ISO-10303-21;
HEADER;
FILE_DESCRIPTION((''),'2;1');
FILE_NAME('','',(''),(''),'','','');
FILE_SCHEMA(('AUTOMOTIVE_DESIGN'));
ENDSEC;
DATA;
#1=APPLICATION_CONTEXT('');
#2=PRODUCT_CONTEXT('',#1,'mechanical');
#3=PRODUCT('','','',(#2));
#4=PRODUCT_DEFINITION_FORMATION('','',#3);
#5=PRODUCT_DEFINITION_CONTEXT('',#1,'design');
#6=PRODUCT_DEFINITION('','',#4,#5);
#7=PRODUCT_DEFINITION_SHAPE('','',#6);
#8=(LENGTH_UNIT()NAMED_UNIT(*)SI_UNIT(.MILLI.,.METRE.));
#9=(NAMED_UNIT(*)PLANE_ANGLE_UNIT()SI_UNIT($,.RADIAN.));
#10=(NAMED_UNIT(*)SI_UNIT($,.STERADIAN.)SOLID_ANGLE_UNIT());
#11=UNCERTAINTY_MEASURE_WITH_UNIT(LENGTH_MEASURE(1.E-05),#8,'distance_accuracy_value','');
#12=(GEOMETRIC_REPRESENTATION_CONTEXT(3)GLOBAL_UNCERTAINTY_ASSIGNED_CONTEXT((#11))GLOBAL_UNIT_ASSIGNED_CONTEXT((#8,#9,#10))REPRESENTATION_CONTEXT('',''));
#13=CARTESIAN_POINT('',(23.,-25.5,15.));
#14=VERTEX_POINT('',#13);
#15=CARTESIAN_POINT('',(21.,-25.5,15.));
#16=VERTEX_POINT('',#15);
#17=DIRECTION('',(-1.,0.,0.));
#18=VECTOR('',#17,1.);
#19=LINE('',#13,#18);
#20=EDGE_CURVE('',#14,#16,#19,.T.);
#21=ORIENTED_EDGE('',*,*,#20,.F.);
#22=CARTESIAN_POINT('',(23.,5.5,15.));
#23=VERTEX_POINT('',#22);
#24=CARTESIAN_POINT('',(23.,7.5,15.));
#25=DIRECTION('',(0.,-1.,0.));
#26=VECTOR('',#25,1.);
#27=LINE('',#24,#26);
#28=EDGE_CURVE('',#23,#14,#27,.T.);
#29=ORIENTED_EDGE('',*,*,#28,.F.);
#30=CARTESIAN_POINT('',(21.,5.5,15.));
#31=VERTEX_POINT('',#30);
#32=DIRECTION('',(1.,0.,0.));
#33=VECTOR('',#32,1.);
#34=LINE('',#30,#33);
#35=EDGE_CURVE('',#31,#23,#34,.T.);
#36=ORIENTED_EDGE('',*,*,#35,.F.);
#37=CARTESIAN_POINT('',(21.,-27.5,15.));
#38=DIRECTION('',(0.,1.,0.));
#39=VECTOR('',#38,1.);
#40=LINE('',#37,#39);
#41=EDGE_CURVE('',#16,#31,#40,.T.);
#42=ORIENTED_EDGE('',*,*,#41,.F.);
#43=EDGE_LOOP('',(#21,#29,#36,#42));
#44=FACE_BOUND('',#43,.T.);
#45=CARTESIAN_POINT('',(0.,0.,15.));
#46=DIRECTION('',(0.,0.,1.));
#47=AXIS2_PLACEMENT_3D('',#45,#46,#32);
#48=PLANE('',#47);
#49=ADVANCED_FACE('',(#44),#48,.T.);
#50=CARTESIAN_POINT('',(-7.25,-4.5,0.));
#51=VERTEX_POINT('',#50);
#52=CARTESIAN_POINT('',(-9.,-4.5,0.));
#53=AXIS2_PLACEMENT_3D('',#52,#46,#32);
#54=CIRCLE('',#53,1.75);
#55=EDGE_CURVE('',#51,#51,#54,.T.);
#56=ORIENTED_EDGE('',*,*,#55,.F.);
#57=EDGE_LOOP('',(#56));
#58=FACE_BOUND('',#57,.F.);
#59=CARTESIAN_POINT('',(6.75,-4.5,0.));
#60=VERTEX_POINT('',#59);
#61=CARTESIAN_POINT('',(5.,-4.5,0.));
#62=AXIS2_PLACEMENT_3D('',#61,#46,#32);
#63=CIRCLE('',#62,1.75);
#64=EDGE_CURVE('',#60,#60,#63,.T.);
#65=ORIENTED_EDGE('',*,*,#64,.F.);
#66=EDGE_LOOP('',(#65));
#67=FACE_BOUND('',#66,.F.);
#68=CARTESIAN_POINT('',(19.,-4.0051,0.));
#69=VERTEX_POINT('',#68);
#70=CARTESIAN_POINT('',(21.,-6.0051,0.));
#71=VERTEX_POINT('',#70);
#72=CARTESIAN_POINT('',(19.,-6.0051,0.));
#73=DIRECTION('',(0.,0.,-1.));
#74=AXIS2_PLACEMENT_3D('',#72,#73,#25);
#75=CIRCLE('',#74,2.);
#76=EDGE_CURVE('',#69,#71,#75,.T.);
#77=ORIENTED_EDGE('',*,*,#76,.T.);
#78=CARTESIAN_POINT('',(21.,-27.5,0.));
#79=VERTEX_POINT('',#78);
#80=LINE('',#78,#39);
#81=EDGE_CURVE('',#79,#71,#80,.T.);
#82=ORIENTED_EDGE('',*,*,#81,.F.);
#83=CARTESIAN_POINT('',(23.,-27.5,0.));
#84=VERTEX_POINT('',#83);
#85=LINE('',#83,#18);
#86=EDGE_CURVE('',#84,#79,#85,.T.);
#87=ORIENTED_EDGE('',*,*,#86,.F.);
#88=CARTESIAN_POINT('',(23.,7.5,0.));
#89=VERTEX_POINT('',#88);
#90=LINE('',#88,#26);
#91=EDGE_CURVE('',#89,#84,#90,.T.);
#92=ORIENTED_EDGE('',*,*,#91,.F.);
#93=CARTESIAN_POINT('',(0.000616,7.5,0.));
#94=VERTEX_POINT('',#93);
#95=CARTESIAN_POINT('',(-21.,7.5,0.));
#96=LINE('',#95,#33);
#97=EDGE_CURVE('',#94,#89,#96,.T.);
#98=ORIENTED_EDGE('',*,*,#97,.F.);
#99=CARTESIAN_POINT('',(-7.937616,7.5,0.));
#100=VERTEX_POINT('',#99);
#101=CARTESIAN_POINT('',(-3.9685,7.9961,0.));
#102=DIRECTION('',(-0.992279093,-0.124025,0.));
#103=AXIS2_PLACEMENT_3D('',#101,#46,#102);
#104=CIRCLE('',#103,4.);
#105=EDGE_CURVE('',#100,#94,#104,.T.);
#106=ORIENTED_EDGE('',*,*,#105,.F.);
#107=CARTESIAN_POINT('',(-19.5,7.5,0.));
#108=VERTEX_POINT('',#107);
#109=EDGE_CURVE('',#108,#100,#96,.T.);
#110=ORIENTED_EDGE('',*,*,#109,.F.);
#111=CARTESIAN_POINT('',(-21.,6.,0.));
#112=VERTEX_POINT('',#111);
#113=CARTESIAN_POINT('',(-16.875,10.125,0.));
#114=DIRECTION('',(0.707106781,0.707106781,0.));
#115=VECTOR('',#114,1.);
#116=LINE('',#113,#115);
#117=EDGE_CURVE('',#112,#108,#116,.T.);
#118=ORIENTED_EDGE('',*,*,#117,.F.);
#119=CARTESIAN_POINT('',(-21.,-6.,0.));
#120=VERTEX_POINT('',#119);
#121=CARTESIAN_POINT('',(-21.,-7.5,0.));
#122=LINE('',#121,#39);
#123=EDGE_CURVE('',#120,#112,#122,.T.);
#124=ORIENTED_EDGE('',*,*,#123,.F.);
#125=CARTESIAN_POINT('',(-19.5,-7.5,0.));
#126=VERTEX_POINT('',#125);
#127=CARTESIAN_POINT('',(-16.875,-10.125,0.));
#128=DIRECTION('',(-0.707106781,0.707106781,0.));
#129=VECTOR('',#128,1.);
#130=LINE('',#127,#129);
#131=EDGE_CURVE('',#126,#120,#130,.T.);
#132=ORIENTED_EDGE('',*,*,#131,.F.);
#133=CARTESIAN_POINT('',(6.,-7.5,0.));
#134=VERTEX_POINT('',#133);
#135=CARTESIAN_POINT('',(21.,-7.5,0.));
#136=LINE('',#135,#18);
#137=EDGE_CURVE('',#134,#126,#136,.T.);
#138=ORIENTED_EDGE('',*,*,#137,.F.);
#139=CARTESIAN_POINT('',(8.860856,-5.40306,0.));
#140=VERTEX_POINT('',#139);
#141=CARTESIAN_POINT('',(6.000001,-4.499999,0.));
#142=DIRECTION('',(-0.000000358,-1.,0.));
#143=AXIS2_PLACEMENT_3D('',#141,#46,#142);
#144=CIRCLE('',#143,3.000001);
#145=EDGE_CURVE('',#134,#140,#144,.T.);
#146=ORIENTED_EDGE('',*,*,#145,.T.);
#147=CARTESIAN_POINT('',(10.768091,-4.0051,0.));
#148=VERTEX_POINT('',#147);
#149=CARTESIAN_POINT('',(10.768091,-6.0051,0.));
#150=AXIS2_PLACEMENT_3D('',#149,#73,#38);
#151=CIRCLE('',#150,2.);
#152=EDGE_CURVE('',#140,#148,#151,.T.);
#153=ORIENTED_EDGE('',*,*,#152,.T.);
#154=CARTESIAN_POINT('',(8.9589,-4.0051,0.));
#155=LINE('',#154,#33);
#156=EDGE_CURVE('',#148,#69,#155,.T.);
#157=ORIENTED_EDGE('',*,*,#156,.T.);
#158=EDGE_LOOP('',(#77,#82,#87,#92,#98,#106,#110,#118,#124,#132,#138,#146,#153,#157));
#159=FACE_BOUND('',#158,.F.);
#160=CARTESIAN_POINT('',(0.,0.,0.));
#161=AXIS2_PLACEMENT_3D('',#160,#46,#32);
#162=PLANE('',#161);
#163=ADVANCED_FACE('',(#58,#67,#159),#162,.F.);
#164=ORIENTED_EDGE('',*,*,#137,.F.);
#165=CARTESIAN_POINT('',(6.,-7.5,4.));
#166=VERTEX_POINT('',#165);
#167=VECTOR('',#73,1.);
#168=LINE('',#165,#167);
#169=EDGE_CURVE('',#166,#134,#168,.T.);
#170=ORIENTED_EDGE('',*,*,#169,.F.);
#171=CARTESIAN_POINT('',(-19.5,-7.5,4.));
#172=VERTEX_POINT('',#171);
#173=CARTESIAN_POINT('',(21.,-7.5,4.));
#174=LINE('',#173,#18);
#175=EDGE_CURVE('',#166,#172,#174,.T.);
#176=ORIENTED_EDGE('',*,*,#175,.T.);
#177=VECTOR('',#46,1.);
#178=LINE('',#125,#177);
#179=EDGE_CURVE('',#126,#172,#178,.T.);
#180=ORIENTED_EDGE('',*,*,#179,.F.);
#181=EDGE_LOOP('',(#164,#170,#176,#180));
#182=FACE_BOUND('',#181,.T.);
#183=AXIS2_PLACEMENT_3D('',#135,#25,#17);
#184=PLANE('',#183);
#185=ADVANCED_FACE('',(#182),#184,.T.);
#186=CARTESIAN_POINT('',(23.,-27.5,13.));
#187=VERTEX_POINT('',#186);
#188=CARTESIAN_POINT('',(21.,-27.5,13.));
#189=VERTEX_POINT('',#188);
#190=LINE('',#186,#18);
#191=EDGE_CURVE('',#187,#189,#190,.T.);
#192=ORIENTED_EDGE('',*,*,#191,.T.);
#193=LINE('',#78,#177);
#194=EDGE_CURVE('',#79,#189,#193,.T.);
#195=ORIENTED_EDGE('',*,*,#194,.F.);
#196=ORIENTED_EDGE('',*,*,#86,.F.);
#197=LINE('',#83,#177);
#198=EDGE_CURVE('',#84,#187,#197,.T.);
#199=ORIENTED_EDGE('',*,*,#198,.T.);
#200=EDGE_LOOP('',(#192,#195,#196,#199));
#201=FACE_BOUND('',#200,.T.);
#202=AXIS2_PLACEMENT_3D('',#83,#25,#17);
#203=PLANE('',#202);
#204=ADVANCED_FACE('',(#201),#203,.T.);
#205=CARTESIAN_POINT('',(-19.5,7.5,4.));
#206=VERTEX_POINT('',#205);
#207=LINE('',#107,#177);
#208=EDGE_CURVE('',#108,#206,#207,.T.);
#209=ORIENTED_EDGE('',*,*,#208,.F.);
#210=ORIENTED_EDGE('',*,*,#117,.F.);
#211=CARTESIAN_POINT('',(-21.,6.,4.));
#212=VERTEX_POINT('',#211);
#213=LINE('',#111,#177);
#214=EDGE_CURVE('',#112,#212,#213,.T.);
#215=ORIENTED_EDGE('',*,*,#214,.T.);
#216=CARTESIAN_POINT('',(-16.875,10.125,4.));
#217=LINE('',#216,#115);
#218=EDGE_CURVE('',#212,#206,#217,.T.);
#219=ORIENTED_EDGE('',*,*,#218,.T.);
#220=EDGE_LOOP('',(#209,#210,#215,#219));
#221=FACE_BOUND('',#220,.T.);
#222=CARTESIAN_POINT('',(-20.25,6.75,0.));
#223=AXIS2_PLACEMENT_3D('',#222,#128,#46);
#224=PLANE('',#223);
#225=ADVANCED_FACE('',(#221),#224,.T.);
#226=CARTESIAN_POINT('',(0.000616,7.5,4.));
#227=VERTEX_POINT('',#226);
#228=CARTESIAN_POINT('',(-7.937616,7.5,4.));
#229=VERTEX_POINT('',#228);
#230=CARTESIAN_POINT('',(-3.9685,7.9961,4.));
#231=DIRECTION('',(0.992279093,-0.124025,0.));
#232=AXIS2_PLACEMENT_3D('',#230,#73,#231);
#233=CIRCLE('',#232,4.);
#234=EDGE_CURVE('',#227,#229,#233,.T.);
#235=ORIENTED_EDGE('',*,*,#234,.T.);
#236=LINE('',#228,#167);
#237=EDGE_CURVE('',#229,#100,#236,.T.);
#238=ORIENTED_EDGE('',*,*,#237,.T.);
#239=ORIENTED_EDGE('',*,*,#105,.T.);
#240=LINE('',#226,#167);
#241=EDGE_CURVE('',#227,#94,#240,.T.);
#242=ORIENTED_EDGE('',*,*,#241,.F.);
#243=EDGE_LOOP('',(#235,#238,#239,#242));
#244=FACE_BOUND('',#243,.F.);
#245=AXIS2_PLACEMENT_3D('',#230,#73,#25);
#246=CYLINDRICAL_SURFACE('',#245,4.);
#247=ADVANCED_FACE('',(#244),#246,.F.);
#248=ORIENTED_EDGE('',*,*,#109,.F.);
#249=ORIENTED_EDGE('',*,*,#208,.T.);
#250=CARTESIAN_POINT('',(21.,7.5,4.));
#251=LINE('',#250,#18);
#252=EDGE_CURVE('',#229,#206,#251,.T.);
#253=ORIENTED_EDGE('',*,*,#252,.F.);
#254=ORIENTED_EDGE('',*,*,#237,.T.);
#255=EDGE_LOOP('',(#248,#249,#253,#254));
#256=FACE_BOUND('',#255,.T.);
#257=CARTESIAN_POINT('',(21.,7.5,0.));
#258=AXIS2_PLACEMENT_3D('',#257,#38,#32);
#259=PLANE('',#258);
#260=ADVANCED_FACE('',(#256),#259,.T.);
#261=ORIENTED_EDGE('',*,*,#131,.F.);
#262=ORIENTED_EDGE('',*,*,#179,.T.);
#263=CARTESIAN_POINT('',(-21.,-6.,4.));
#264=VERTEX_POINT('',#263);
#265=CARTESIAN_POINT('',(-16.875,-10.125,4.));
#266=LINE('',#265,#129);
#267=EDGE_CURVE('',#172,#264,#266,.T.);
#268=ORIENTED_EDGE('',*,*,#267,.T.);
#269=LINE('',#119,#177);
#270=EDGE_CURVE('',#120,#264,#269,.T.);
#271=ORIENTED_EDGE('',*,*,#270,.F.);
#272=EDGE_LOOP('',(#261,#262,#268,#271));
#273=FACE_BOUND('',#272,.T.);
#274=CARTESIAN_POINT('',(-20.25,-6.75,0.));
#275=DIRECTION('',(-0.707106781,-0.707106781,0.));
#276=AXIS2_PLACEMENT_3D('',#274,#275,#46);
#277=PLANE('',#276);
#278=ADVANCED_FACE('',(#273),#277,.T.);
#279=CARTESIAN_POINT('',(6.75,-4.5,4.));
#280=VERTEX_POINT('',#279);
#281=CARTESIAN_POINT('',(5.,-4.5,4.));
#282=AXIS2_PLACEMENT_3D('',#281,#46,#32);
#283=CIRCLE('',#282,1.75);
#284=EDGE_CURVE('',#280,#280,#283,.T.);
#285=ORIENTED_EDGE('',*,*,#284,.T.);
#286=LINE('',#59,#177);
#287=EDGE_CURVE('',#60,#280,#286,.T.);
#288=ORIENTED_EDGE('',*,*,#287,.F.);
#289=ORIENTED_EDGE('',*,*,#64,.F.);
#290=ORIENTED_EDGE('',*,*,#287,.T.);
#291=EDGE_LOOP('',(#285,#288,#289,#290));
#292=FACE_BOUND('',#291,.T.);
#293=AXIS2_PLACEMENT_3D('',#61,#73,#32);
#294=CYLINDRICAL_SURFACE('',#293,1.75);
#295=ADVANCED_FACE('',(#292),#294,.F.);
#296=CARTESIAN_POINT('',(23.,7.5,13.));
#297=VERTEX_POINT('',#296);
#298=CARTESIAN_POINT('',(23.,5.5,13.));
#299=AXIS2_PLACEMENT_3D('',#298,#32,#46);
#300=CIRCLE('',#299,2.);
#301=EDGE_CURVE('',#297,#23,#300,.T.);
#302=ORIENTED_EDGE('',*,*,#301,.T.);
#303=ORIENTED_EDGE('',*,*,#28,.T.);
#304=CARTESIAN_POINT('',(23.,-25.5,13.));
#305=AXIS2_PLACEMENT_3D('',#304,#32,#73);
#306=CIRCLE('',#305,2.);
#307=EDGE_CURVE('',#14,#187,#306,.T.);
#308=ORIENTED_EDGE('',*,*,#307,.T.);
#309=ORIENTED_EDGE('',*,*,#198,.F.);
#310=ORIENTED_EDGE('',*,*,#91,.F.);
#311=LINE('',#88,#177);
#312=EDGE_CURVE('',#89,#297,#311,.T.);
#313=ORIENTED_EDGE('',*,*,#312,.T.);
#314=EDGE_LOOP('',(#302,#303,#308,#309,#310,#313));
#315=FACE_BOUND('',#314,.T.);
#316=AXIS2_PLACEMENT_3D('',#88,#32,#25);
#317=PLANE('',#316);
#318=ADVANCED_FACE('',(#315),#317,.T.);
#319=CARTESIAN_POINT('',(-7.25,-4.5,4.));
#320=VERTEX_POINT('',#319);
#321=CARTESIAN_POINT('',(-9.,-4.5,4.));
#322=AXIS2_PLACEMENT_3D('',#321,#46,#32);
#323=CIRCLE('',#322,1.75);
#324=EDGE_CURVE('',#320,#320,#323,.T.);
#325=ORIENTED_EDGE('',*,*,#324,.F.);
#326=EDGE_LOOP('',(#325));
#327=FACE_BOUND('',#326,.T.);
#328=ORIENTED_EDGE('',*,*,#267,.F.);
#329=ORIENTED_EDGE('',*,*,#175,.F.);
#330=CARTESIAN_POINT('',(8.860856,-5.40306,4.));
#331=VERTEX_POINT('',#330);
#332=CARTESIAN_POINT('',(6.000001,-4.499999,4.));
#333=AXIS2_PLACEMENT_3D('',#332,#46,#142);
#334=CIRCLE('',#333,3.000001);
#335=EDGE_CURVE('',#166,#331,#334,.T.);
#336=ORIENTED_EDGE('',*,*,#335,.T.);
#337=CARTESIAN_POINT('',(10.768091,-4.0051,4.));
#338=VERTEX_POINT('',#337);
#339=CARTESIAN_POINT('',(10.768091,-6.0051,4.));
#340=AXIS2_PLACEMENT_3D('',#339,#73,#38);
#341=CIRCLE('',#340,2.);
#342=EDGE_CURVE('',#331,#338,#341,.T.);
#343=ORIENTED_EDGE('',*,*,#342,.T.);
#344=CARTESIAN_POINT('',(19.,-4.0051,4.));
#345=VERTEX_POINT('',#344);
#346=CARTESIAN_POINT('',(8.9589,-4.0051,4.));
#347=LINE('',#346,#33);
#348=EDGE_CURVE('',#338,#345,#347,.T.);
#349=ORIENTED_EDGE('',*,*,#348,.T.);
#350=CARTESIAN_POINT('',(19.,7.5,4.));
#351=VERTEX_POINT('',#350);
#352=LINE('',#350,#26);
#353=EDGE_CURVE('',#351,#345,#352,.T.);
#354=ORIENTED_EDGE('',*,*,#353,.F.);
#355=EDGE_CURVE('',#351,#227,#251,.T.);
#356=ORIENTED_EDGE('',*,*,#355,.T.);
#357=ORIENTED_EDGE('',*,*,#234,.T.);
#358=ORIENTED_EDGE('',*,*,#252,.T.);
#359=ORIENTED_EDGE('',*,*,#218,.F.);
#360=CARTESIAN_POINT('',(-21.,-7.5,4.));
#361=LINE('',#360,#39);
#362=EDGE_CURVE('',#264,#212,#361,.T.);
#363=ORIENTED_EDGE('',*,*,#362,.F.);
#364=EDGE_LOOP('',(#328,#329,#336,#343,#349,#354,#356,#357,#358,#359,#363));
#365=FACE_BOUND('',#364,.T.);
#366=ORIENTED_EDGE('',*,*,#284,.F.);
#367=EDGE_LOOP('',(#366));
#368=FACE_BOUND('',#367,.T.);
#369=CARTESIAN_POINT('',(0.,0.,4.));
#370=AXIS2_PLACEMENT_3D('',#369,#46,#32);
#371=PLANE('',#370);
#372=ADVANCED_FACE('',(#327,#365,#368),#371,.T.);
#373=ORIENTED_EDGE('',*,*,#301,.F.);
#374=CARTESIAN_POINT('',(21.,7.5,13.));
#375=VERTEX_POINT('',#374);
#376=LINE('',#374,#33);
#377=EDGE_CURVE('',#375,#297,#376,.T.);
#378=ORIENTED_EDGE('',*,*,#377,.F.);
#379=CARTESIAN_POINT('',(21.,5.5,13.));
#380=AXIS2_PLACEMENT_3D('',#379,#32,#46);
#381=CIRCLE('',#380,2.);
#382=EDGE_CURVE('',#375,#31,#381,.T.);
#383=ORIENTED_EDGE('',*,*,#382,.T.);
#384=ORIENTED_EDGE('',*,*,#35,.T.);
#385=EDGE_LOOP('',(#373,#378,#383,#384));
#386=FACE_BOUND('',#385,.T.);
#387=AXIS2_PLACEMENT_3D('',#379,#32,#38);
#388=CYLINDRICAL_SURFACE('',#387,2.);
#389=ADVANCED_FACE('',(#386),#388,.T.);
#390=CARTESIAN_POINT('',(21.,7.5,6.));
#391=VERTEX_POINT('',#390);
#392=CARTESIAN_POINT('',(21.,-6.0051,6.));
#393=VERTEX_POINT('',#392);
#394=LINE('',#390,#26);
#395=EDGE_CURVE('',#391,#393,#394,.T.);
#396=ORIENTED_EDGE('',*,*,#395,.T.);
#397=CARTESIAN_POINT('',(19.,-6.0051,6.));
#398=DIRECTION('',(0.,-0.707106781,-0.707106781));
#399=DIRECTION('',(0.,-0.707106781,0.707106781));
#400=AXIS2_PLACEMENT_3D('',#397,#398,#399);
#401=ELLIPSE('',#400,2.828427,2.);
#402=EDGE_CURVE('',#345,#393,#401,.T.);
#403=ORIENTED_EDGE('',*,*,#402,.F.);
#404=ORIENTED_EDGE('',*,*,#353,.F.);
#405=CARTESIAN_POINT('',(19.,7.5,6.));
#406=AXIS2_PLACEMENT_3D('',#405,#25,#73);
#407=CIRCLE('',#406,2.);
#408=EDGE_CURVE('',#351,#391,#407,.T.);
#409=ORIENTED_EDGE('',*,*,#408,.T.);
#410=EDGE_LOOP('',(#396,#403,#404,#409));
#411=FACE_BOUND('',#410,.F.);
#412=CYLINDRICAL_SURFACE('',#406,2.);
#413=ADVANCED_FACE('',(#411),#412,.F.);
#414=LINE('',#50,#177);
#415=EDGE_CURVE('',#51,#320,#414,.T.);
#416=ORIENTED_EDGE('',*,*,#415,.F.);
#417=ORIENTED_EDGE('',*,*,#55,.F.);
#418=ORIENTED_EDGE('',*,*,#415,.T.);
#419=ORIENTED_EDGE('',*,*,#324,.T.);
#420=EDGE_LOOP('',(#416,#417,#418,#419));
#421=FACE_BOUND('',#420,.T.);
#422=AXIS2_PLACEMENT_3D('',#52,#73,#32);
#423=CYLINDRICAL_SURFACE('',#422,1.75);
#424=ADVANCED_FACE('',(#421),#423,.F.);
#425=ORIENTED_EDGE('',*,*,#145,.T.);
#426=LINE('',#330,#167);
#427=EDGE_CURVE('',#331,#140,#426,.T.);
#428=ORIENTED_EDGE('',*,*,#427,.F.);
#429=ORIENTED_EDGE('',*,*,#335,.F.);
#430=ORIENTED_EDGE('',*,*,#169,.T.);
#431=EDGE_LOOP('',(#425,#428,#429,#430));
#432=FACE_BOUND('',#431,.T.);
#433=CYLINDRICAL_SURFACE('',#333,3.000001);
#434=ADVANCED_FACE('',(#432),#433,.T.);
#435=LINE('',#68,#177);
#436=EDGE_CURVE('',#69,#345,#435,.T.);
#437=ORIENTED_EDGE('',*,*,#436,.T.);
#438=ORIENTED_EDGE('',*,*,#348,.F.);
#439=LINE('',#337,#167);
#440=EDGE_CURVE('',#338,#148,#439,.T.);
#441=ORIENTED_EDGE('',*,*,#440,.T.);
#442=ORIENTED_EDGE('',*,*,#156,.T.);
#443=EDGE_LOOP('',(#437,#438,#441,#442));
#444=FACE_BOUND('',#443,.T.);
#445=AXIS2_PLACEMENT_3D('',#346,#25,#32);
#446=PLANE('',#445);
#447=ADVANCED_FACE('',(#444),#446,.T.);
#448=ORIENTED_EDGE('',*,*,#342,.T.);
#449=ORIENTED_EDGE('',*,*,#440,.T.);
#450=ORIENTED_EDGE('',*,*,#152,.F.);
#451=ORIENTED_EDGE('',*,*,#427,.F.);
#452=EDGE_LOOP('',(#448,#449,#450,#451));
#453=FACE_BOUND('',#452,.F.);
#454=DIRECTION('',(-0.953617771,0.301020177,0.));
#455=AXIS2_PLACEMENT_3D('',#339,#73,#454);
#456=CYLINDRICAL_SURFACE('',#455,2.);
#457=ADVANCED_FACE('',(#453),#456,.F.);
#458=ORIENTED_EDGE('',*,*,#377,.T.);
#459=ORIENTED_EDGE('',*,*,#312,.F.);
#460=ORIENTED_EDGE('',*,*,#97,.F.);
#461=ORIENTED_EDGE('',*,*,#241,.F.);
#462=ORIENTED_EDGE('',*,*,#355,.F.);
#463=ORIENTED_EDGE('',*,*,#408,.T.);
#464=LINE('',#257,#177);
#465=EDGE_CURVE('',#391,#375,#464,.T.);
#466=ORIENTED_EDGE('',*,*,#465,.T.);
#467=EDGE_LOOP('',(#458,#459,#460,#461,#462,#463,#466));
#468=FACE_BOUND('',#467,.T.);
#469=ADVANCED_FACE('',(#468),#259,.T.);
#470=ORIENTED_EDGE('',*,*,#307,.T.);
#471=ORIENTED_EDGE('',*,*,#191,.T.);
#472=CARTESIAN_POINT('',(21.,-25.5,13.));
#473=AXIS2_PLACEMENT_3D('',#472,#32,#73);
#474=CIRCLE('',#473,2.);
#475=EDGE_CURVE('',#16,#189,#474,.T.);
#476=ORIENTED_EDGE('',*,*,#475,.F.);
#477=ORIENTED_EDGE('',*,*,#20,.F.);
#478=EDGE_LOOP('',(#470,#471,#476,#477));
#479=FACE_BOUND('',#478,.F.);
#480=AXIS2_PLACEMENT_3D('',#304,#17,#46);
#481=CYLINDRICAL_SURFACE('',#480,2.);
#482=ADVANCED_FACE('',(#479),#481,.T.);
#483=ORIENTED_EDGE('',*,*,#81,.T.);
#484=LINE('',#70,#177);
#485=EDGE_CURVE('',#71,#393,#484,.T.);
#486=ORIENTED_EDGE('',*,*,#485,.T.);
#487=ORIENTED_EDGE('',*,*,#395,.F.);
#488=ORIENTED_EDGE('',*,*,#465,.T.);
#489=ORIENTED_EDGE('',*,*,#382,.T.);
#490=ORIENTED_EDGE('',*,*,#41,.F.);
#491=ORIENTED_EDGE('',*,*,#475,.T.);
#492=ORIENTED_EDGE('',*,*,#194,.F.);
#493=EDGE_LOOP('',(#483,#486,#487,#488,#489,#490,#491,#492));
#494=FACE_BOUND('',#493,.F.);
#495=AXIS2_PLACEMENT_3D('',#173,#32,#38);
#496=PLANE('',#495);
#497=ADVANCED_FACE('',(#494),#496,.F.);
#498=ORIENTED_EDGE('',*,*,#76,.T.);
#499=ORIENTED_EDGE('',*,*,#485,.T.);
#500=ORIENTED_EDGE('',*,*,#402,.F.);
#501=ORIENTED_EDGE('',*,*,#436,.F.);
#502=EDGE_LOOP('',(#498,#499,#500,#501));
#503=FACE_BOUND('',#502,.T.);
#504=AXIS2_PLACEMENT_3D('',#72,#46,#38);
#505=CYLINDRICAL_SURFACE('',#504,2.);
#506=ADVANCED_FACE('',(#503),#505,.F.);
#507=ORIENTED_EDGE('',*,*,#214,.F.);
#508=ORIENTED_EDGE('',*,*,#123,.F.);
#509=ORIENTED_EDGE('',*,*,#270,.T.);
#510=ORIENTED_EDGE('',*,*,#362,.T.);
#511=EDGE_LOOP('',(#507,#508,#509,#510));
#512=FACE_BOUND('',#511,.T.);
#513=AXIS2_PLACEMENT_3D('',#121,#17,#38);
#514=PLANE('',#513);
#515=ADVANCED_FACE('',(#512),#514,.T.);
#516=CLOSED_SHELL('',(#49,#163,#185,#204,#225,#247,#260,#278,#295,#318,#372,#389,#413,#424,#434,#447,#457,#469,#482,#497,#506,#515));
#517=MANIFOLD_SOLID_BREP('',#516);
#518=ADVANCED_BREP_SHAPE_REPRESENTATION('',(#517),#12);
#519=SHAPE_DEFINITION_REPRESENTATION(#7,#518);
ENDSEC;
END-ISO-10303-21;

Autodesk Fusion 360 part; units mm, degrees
sketch "Esquisse1" plane through (0, 0, 0) normal (0, 0, 1) x (1, 0, 0)
  line L0 (21, -7.5) -> (-21, -7.5)
  line L1 (-21, -7.5) -> (-21, 7.5)
  line L2 (21, 7.5) -> (21, -7.5)
  line L3 (21, -7.5) -> (-21, 7.5) construction
  line L4 (-21, -7.5) -> (21, 7.5) construction
  circle A0 centre (5, -4.5) radius 1.75
  circle A1 centre (-9, -4.5) radius 1.75
  line L5 (-9, -4.5) -> (5, -4.5) construction
  line L6 (-9, -4.5) -> (-9, -7.5) construction
  line L7 (-9, -4.5) -> (-21, -4.5) construction
  line L8 (5, -4.5) -> (21, -4.5) construction
  line L9 (-21, 7.5) -> (21, 7.5)
  line L10 (-21, 7.5) -> (-4, 7.5)
  line L11 (-4, 9) -> (-4, 5.805) construction
  dimension "d1" = 42
  dimension "d2" = 15
  dimension "d3" = 3.5
  dimension "d4" = 3.5
  dimension "d6" = 3
  dimension "d42" = 12
  dimension "d43" = 14
  dimension "d44" = 16
  dimension "d64" = 17
extrude "Extrusion1" add sketch "Esquisse1" along normal blind 4
sketch "Esquisse6" plane through (0, 0, 0) normal (0, 0, 1) x (1, 0, 0)
  line L0 (21, 7.5) -> (23, 7.5)
  line L1 (23, 7.5) -> (23, -27.5)
  line L2 (23, -27.5) -> (21, -27.5)
  line L3 (21, -27.5) -> (21, 7.5)
  dimension "d45" = 2
  dimension "d46" = 35
extrude "Extrusion6" add sketch "Esquisse6" along normal blind 15
sketch "Esquisse7" plane through (0, 0, 4) normal (0, 0, 1) x (-1, 0, 0)
  circle A0 centre (-5, 4.5) radius 1.75
  circle A1 centre (9, 4.5) radius 1.75
  line L0 (21, -7.5) -> (21, 7.5)
  line L1 (21, 7.5) -> (-21, 7.5)
  line L2 (-21, 7.5) -> (-21, -7.5)
  line L3 (-21, -7.5) -> (21, -7.5)
  line L4 (-21, 4.0051) -> (-21, 7.5)
  line L5 (-21, 7.5) -> (-5, 7.5)
  line L6 (-8.9589, 4.0051) -> (-21, 4.0051)
  arc A2 (-6, 7.5) -> (-8.9589, 4.0051) centre (-6, 4.5) ccw
  dimension "d70" = 6
extrude "Extrusion7" cut sketch "Esquisse7" against normal blind 4 contours L1 L2 L4 L5 L6 A2
chamfer "Chanfrein3" distance 1.5 angle 45 1 edges at (-21, -7.5, 2)
fillet "Congé10" radius 2 1 edges at (21, 1.7475, 4)
fillet "Congé11" radius 2 1 edges at (21, -4.0051, 3)
fillet "Congé12" radius 2 1 edges at (22, 7.5, 15)
fillet "Congé13" radius 2 1 edges at (22, -27.5, 15)
hole "Perçage1" at (-3.9685, 7.9961, 4) direction (0, 0, -1) diameter 8 end through all
chamfer "Chanfrein5" distance 1.5 angle 45 1 edges at (-21, 7.5, 2)
fillet "Congé14" radius 2 1 edges at (8.9589, -4.0051, 2)
